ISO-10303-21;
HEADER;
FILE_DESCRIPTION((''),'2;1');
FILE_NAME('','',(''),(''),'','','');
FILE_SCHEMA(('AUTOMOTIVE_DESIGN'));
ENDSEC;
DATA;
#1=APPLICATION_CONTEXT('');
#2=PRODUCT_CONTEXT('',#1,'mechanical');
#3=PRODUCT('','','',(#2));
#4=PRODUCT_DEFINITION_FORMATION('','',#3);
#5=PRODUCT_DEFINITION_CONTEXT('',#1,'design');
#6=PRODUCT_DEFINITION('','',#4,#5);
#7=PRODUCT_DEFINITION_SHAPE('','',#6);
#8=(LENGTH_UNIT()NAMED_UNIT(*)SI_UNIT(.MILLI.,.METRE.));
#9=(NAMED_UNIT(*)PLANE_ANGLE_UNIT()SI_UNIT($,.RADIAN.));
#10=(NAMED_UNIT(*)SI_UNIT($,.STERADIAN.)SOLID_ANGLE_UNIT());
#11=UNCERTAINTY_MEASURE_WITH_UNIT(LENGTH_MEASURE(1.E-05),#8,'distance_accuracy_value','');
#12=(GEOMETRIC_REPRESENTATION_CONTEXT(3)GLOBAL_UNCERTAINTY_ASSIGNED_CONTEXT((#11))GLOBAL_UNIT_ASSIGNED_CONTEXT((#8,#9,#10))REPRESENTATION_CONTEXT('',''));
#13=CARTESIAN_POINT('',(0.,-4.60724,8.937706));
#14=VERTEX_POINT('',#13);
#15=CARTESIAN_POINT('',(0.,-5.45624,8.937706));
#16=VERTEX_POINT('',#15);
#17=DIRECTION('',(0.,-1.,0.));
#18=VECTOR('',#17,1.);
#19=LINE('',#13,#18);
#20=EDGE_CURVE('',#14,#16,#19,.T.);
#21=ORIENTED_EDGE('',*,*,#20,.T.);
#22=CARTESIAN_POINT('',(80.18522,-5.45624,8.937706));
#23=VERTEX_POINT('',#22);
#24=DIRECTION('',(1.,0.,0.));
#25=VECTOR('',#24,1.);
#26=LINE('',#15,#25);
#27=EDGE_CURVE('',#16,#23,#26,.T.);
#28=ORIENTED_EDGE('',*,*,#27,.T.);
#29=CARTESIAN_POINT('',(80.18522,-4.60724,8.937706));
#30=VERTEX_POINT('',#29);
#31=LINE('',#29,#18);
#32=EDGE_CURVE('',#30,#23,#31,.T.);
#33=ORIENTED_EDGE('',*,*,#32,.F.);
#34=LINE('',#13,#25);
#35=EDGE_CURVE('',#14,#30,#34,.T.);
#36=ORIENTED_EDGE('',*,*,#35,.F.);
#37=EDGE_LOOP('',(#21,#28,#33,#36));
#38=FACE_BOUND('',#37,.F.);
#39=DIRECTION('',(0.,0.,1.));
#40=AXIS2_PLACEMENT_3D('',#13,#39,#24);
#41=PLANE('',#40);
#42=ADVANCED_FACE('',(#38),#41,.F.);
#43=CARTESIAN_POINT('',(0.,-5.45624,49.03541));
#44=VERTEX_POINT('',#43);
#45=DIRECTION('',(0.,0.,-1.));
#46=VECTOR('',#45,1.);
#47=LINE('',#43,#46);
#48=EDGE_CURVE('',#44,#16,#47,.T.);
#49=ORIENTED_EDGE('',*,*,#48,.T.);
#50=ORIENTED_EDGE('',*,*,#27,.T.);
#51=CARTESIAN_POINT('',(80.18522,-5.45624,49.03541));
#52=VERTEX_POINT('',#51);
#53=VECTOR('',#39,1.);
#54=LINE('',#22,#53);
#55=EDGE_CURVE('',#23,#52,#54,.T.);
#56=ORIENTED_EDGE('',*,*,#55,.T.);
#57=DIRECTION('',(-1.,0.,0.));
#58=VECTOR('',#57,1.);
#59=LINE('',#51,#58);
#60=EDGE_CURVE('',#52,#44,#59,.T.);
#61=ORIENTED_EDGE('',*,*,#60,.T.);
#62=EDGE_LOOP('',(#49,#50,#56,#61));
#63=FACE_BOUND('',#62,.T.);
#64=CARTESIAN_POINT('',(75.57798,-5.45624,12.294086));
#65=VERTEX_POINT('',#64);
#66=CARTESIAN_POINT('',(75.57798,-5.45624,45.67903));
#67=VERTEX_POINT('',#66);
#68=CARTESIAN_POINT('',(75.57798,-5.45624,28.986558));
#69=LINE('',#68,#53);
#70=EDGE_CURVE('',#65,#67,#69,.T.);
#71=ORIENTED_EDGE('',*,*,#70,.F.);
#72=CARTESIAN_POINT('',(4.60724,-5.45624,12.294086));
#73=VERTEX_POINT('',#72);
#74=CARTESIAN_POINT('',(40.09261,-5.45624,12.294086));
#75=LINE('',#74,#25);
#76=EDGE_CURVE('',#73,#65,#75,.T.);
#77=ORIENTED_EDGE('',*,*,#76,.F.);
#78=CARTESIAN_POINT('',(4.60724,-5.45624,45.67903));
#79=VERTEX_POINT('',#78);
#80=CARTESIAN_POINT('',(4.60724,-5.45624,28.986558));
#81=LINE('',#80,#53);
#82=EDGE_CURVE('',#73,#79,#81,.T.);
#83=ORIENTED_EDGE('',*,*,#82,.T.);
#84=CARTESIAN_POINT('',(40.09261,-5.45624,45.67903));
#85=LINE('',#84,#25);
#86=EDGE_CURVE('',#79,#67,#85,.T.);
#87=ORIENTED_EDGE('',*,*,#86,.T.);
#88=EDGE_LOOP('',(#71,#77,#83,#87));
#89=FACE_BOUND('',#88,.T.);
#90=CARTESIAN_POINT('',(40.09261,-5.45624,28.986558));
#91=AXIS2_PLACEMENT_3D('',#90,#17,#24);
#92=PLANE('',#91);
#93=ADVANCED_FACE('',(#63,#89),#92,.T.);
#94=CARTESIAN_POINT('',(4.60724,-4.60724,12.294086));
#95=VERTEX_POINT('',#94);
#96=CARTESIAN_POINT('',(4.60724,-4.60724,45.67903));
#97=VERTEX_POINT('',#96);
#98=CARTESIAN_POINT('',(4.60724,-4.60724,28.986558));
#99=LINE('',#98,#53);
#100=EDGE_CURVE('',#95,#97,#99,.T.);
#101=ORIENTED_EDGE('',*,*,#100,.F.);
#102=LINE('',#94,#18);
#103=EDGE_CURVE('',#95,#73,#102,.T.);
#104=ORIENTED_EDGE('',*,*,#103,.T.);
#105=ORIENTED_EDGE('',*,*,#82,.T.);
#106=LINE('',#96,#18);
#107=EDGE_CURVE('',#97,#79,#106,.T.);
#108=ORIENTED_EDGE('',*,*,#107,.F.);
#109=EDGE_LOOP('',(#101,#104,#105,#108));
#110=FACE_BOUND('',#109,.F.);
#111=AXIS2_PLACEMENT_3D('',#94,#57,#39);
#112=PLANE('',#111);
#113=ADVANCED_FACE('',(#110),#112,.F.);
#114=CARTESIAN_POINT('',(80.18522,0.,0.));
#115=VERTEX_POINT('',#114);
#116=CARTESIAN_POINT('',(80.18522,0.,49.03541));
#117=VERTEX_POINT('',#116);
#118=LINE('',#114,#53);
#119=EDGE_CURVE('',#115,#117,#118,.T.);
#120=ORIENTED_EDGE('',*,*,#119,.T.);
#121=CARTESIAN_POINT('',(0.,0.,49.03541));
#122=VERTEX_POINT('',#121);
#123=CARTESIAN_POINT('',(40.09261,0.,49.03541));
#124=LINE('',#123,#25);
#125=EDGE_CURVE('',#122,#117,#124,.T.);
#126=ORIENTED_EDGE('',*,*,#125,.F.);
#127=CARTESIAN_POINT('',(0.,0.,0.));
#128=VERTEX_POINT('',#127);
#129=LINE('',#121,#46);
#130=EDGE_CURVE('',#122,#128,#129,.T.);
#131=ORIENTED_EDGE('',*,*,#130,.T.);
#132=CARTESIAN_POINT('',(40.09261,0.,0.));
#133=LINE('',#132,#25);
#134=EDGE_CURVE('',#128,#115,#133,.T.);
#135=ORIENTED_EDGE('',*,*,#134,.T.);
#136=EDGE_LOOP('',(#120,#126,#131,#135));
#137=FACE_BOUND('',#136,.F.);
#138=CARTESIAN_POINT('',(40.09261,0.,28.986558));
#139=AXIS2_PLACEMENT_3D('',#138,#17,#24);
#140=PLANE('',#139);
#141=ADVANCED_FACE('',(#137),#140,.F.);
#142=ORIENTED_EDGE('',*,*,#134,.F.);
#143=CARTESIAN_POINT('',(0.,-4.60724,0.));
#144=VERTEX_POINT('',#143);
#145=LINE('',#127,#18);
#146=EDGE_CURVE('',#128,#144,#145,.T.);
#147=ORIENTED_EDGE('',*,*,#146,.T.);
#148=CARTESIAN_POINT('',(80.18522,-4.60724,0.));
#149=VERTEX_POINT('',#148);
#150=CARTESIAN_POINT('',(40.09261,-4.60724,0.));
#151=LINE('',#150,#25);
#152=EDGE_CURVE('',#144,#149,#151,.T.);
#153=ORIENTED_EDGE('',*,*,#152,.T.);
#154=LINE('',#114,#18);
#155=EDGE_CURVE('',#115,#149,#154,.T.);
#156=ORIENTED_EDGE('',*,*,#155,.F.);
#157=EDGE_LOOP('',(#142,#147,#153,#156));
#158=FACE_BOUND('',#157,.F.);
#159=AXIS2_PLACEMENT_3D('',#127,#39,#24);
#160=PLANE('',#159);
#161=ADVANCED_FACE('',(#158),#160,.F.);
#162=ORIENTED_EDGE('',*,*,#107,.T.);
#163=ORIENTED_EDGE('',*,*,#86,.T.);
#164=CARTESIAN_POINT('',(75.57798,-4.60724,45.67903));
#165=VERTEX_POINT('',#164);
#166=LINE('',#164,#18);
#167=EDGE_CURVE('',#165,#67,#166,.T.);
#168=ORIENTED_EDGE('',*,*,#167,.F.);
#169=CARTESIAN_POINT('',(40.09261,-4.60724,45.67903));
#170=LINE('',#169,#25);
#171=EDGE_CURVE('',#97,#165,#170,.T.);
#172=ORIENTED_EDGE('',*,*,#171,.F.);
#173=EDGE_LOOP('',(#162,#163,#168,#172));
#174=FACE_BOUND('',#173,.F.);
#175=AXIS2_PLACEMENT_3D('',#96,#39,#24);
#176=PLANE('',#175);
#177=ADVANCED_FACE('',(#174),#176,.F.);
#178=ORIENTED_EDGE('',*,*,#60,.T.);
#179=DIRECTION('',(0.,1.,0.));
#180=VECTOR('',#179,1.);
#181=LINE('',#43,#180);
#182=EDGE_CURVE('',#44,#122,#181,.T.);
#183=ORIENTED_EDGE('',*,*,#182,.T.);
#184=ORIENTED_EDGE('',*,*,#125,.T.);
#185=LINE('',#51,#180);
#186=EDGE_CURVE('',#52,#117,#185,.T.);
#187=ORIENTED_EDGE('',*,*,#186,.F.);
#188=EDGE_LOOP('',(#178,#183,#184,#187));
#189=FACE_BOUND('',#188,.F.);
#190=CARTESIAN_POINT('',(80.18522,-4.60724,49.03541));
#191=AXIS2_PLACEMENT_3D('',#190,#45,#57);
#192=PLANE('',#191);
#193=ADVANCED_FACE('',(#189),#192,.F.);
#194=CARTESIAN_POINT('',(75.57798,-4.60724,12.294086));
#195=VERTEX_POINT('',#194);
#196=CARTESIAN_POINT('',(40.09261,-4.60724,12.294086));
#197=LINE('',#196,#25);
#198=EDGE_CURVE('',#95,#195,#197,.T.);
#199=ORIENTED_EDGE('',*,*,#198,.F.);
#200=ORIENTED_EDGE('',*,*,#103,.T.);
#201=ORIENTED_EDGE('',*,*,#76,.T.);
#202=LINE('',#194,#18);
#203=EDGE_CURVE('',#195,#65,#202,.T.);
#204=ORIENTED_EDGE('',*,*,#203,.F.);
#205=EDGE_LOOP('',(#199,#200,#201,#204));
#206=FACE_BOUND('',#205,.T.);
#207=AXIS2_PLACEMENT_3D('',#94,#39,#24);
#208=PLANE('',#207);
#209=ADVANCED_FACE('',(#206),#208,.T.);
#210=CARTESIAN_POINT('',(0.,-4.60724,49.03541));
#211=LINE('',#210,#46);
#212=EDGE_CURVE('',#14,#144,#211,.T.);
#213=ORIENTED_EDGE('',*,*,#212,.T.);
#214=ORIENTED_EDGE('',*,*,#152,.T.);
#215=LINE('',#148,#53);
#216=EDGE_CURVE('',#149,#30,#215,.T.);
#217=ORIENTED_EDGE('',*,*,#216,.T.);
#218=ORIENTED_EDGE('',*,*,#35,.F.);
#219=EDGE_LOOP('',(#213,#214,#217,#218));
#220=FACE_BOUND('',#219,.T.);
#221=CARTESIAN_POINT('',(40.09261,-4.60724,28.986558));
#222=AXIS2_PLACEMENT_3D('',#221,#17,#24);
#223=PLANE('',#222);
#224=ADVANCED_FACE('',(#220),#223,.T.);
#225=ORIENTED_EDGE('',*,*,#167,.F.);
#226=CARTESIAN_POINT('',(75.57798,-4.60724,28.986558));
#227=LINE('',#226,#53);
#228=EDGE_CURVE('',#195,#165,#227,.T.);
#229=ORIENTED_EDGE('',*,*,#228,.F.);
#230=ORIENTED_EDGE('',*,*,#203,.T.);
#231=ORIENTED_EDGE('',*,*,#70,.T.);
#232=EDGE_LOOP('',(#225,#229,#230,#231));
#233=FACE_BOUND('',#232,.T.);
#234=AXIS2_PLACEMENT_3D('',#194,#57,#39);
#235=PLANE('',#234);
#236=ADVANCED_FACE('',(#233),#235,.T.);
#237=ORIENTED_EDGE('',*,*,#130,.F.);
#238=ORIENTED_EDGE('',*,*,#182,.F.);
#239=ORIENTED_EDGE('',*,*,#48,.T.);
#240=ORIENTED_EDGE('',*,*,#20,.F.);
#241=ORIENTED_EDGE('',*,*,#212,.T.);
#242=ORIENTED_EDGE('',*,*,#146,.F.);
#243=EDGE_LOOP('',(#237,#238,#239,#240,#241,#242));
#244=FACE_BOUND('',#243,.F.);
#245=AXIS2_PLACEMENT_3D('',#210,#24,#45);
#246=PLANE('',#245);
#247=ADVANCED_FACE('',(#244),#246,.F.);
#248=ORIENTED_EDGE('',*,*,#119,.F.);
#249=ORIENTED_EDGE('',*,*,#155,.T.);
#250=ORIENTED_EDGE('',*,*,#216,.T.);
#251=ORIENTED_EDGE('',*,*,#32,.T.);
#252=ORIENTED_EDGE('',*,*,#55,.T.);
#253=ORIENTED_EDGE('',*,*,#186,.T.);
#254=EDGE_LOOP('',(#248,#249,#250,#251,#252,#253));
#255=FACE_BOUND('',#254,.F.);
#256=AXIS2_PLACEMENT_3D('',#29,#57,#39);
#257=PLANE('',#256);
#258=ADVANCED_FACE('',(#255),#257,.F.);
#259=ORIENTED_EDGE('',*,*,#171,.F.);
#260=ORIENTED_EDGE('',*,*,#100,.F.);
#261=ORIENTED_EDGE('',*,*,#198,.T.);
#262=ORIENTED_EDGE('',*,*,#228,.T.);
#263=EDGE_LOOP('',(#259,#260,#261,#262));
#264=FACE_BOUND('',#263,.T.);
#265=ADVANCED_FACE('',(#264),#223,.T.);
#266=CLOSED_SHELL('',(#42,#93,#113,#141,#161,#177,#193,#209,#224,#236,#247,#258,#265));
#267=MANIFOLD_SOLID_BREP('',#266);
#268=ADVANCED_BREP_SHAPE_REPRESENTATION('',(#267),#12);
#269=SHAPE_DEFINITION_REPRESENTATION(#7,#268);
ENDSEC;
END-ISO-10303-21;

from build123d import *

# Parameters (mm, degrees)
F1_W     = 141.67
F1_H     = 70.844
F1_H_2   = 15.791
F2_DEPTH = 8.14
F3_W     = 125.39
F3_H     = 58.984
F4_DEPTH = 1.5
F5_SCALE = 0.566


with BuildPart() as f2:
    # F1 (on Front) → F2 (new body)
    with BuildSketch(Plane.XZ):
        with Locations((70.835, 51.213)):
            Rectangle(F1_W, F1_H)
        with Locations((70.835, 7.8955)):
            Rectangle(F1_W, F1_H_2)
    extrude(amount=F2_DEPTH)

    # F3 (on offset) → F4 (join)
    with BuildSketch(Plane.XZ.offset(8.14)):
        Polygon((0, 86.635), (0, 15.791), (141.67, 15.791), (141.67, 21.721), (141.67, 80.705), (141.67, 86.635), (133.53, 86.635), (8.14, 86.635), align=None)
        with Locations((70.835, 51.213)):
            Rectangle(F3_W, F3_H, mode=Mode.SUBTRACT)
    extrude(amount=F4_DEPTH)


with BuildPart() as f2_1:
    # F5: moved
    add(f2.part.scale(F5_SCALE))


solid = f2_1.part
